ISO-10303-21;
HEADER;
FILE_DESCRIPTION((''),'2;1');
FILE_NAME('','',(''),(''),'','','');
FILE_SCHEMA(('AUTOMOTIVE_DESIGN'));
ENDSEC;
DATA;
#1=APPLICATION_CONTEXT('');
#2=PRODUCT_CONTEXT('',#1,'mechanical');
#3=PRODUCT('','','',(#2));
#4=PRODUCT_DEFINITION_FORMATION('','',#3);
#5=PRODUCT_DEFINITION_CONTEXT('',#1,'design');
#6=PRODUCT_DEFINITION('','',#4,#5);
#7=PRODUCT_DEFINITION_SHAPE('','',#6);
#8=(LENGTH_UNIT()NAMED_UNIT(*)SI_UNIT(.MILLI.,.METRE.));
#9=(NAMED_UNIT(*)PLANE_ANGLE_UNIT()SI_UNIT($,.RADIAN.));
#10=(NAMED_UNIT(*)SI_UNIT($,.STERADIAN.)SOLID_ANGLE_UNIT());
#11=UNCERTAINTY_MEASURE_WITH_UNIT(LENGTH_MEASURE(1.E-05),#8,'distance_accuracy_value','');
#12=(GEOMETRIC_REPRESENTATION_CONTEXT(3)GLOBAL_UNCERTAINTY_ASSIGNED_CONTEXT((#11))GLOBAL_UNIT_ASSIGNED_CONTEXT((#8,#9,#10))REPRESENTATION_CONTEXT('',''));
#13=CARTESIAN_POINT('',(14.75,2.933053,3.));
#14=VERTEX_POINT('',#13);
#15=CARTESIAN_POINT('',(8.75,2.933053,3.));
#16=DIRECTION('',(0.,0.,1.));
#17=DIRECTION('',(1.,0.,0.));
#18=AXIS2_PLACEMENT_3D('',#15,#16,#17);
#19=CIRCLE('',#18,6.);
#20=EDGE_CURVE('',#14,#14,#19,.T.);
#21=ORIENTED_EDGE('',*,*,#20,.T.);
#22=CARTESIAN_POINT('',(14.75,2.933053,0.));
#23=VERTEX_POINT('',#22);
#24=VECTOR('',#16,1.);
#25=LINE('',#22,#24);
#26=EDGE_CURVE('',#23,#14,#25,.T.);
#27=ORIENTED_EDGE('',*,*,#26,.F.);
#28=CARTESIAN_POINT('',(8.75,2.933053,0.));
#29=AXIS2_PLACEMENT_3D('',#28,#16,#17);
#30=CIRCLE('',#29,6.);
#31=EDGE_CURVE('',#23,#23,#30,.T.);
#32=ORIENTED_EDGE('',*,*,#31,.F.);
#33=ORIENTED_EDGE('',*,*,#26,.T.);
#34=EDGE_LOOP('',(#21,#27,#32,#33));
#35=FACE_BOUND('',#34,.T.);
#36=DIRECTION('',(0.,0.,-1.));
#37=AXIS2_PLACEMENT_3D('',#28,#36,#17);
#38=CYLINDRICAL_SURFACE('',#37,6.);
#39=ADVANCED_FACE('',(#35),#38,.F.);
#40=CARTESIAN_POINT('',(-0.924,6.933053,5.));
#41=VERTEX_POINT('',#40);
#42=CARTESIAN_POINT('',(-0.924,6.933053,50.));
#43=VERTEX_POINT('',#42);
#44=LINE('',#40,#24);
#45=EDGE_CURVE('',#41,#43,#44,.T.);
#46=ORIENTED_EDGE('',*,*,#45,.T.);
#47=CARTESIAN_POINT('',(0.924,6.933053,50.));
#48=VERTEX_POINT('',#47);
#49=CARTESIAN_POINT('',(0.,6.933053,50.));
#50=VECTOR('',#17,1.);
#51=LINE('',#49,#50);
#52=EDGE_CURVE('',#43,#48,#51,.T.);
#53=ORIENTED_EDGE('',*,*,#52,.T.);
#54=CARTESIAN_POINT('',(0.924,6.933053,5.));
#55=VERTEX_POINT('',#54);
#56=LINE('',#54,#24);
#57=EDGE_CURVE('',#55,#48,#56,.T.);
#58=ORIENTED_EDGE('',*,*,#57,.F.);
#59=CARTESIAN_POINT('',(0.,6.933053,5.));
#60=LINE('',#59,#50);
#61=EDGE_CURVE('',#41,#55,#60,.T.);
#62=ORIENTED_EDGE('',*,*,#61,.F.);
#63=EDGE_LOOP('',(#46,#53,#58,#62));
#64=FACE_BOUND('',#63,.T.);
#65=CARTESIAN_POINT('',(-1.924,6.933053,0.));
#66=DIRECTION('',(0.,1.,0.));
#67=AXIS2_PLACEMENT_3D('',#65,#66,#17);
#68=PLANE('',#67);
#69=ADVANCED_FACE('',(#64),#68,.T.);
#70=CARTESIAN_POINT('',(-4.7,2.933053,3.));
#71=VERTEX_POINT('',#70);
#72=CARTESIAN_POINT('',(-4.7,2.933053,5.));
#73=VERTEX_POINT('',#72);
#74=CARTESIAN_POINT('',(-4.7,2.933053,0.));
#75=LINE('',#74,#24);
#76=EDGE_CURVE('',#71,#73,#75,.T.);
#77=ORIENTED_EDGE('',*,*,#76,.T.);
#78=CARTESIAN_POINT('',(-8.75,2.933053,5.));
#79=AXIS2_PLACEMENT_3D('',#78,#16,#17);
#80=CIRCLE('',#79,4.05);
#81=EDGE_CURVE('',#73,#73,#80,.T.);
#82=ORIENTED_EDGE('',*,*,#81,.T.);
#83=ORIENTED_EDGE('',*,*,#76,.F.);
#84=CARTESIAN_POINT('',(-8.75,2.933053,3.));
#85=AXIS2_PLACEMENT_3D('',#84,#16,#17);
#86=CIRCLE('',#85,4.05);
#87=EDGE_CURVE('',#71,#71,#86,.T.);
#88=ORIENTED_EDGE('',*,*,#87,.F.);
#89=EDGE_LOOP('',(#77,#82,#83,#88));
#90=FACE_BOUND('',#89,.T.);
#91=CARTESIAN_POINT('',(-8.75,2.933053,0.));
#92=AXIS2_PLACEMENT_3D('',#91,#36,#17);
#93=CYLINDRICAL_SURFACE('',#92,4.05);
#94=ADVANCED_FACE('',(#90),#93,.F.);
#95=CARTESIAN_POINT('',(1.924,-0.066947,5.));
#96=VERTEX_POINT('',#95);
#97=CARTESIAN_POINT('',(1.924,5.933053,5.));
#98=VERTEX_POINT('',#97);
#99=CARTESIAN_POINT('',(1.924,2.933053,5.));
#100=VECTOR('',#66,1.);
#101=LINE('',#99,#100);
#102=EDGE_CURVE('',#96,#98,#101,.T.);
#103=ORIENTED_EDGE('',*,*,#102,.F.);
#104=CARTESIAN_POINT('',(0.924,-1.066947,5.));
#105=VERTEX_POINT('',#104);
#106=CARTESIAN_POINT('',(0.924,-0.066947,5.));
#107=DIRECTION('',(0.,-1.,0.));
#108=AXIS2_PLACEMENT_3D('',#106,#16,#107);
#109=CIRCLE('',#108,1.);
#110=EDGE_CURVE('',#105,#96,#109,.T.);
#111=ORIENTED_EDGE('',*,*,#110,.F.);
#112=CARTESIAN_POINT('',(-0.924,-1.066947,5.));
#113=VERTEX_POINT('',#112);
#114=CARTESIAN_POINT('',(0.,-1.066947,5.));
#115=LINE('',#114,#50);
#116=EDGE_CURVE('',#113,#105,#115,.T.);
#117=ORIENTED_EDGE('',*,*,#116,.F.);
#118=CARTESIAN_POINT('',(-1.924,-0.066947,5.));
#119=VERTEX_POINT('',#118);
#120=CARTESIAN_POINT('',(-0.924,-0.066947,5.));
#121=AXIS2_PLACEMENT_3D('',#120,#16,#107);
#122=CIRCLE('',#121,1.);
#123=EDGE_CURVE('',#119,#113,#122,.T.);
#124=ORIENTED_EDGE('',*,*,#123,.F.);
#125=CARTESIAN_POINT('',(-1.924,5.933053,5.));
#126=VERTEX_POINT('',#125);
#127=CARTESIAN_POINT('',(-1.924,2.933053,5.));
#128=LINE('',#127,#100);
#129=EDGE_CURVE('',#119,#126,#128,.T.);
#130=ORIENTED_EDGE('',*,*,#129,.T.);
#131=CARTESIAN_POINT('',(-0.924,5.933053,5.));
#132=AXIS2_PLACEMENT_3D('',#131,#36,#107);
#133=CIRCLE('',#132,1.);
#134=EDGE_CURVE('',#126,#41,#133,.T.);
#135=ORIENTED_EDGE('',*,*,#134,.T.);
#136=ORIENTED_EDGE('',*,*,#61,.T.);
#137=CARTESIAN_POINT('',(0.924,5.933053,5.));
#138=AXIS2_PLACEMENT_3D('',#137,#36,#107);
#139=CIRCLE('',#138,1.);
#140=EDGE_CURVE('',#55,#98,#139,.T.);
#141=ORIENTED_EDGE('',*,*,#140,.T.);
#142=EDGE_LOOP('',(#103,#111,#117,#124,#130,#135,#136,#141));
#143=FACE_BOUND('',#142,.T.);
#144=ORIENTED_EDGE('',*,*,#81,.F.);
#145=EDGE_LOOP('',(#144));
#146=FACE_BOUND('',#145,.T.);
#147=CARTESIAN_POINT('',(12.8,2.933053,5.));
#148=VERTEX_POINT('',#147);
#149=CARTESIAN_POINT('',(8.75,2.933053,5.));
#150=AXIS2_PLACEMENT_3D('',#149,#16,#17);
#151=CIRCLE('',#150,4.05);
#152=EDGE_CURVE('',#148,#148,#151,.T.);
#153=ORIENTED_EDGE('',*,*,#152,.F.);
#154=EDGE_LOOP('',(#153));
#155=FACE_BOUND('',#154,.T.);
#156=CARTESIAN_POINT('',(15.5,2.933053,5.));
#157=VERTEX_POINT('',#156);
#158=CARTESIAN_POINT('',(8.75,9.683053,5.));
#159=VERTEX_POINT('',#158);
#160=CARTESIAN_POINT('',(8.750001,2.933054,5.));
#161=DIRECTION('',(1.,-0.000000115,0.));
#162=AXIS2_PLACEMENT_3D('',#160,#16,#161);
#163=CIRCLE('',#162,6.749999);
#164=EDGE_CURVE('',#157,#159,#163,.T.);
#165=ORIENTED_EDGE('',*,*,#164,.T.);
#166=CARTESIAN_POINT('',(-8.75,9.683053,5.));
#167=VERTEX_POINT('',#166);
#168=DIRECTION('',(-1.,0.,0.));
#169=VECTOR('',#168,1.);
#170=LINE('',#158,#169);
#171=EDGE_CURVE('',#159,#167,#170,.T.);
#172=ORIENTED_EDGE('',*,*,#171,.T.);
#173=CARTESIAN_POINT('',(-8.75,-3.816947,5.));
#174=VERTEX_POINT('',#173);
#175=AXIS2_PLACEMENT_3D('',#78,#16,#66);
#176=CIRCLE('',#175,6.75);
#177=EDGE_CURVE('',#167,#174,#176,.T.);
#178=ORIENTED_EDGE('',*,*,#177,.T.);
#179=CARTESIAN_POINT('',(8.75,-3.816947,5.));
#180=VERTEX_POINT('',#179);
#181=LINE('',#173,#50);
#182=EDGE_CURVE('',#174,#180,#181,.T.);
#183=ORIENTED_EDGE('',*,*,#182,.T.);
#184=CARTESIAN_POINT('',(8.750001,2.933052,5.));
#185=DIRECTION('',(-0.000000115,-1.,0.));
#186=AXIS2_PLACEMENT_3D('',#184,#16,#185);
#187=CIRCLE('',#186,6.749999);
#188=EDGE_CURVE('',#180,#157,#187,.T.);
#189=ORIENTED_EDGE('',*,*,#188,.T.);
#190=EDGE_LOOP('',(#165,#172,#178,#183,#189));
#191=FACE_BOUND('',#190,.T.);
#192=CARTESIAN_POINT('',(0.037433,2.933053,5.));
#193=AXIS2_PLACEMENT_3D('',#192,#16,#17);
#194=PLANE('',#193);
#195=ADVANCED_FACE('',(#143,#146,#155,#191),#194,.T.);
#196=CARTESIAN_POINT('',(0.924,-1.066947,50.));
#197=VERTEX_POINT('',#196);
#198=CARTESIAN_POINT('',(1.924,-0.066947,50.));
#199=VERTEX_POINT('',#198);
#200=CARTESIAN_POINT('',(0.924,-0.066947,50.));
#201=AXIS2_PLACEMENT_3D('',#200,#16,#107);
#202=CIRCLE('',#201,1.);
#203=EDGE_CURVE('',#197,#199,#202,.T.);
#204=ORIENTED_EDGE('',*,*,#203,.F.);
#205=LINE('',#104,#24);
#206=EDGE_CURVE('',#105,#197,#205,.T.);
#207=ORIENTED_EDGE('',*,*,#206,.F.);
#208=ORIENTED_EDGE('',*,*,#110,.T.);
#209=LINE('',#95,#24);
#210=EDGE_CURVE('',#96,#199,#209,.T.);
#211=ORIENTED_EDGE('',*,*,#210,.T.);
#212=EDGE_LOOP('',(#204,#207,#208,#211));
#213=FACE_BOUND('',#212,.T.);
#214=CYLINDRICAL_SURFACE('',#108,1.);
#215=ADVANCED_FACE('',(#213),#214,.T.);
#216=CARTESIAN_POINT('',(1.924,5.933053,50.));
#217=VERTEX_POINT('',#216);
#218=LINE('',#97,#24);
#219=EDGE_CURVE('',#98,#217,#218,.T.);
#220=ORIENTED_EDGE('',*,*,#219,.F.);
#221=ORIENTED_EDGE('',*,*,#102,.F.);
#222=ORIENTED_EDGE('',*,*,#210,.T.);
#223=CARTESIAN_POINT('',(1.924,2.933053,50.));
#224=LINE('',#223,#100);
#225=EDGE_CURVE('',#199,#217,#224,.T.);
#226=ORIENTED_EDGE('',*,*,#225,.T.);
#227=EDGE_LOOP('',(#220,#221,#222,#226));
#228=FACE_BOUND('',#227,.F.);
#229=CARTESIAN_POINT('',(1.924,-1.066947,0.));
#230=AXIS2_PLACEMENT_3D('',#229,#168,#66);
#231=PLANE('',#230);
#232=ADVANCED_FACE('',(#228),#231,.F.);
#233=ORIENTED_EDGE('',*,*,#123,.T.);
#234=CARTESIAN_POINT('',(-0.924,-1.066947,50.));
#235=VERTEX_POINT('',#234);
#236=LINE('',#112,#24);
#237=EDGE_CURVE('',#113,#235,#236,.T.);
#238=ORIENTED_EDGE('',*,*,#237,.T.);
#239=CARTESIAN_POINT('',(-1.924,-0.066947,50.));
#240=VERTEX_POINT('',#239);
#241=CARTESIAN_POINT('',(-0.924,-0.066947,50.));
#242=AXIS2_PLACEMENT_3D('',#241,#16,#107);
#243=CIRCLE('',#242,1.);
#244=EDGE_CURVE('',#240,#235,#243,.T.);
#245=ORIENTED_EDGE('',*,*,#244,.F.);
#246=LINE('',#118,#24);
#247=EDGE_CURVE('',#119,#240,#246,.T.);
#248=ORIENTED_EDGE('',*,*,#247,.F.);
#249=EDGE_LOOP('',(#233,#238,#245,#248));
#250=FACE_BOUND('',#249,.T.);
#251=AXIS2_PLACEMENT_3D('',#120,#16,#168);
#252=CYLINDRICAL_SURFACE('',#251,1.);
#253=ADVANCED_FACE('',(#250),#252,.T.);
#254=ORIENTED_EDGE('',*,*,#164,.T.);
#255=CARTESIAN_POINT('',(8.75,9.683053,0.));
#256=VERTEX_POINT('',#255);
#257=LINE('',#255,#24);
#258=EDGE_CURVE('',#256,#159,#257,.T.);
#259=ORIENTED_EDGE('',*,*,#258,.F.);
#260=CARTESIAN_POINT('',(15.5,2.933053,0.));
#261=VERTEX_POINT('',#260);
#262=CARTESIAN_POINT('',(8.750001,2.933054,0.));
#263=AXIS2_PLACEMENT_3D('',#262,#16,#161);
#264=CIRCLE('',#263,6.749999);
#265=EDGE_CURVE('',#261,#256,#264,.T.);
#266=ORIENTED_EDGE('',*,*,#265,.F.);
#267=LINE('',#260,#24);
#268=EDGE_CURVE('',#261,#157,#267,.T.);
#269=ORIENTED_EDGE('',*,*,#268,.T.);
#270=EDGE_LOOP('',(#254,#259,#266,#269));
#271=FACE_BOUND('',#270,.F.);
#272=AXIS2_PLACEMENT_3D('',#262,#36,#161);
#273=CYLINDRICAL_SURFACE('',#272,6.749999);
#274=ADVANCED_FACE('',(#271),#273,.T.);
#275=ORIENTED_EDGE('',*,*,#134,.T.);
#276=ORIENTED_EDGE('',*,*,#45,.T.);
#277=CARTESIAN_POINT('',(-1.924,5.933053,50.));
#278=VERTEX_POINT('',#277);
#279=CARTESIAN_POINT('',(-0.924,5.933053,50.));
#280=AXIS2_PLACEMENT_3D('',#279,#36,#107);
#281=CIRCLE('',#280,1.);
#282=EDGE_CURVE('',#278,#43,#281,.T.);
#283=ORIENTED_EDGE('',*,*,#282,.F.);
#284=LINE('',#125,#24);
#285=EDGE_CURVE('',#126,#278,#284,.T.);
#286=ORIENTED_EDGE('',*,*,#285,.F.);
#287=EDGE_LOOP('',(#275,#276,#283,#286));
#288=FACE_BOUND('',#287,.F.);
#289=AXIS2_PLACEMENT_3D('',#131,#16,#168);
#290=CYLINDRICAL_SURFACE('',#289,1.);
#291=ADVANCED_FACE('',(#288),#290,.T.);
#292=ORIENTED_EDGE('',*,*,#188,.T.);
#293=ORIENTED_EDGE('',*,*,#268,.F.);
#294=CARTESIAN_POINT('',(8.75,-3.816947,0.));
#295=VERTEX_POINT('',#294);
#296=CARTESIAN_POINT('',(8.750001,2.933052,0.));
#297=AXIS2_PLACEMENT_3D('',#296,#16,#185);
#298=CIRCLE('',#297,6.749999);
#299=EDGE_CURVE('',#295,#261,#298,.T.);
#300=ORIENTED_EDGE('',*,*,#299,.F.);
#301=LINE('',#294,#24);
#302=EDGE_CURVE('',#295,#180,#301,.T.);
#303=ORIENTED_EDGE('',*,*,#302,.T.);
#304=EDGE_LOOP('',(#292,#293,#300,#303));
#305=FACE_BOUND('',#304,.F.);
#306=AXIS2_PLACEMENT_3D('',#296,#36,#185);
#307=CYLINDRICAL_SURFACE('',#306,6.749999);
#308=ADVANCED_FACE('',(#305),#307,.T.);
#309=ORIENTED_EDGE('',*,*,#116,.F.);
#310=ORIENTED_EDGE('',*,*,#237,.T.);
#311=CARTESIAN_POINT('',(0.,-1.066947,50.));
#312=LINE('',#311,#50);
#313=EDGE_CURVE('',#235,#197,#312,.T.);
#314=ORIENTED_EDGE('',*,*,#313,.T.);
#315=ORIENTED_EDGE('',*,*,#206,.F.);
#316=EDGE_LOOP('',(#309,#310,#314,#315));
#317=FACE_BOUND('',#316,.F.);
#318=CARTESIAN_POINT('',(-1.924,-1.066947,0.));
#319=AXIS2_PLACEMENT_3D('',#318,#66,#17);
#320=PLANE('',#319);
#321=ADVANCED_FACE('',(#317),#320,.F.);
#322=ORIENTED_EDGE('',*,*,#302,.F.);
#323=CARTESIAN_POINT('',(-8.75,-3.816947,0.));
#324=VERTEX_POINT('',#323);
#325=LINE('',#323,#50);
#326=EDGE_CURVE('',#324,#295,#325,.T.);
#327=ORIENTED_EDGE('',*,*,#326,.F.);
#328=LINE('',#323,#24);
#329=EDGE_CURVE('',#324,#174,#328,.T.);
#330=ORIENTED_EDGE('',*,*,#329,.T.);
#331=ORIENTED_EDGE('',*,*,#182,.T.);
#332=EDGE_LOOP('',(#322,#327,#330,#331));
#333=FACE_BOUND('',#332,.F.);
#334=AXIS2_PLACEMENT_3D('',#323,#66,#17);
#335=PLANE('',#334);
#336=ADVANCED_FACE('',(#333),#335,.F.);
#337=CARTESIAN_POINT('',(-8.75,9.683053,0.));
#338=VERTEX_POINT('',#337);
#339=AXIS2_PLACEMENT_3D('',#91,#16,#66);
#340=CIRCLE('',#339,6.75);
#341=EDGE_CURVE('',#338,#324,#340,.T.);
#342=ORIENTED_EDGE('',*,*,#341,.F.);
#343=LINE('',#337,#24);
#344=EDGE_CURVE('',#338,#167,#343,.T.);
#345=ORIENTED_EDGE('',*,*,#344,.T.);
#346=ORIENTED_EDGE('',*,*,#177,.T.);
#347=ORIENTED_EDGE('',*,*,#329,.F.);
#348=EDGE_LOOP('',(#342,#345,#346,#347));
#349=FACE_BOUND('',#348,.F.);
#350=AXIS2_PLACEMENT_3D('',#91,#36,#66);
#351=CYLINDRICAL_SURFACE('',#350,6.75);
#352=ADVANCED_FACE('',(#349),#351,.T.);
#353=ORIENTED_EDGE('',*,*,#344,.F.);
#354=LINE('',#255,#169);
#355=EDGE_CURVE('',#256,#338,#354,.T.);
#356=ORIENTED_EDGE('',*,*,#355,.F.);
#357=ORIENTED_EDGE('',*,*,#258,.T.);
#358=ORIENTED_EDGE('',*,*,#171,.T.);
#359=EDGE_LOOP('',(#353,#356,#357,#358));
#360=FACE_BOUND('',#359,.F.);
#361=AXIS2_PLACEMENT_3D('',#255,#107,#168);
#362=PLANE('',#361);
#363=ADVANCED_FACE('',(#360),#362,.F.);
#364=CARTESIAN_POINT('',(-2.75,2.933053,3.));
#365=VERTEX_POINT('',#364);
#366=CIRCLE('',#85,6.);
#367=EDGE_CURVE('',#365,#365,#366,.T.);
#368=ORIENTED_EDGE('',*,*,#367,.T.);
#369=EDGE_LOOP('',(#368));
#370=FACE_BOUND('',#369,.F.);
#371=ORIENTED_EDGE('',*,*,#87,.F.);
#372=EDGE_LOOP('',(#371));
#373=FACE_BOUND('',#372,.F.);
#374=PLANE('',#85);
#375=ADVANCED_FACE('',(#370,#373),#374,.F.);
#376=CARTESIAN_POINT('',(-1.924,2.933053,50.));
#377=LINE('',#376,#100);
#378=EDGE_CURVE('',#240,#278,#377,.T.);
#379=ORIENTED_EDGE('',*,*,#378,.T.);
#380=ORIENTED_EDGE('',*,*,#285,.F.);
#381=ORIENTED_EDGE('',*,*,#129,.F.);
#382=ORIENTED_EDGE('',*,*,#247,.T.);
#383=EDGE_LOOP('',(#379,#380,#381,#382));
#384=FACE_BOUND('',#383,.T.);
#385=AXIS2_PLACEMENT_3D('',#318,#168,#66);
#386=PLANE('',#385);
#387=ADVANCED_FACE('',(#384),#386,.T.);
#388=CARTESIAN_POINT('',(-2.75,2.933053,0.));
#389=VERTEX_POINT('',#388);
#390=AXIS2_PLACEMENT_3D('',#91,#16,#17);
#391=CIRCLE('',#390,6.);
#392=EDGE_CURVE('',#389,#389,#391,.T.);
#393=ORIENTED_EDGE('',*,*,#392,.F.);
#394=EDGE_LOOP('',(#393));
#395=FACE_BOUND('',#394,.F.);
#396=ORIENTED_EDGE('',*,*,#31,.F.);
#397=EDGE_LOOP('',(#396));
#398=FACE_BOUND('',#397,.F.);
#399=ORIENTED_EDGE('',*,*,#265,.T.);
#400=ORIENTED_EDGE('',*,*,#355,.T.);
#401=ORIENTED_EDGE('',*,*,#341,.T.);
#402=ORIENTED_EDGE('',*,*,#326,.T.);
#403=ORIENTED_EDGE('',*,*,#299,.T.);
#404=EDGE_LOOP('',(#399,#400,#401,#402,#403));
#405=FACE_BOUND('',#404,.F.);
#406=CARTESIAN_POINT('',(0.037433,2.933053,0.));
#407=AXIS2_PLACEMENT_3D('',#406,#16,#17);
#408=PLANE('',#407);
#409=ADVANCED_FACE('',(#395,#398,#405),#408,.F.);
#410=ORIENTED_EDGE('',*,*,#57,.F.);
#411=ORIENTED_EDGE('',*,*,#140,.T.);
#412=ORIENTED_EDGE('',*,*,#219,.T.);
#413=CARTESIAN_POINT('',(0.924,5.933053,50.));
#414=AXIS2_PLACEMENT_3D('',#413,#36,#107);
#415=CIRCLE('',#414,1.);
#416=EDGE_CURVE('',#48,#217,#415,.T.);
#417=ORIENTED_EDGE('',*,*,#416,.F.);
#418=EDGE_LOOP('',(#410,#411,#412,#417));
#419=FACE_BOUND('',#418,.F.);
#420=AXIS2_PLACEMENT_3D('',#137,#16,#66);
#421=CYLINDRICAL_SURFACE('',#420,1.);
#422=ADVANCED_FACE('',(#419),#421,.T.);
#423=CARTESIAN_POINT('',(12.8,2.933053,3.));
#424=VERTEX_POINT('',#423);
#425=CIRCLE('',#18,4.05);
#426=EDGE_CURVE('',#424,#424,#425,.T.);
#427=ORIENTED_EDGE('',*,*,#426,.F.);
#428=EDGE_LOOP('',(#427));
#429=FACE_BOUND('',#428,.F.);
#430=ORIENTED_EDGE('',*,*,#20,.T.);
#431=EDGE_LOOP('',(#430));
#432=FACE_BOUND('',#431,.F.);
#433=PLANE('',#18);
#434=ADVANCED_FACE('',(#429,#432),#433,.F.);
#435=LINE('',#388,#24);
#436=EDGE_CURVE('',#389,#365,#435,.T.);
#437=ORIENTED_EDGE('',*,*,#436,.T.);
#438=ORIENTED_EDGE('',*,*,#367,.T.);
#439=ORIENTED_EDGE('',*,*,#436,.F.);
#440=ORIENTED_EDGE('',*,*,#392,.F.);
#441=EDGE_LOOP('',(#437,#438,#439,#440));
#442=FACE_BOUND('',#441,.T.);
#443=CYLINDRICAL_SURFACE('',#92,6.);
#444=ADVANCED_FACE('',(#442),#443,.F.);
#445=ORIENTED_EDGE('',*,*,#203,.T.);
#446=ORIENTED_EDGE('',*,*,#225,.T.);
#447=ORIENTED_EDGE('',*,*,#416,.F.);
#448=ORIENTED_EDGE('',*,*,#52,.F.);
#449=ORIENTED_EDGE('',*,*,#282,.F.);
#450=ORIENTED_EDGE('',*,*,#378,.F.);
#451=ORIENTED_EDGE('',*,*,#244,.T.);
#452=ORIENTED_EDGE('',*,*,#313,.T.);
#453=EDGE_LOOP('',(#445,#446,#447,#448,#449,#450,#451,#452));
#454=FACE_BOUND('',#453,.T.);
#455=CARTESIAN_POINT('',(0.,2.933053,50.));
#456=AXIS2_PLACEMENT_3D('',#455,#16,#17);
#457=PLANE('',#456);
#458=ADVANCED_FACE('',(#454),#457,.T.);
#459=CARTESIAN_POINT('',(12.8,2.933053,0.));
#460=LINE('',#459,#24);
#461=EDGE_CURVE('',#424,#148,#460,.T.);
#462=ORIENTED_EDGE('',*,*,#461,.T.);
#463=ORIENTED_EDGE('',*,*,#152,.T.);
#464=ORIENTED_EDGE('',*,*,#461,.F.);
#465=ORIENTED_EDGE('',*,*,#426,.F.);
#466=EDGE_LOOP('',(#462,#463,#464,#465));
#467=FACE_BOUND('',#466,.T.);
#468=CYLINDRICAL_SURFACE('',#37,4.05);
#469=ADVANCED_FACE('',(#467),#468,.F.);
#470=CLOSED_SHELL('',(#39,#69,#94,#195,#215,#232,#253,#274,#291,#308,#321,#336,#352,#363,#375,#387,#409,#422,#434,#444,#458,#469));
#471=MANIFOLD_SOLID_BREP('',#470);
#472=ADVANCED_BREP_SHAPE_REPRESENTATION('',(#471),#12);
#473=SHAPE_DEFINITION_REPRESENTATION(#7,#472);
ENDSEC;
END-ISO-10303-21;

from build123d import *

# Parameters (mm, degrees)
F0_W     = 3.848
F0_H     = 8
F0_R     = 6
F0_R_2   = 4.05
F1_DEPTH = 5
F2_DEPTH = 3
F3_DEPTH = 50
F4_R     = 1


with BuildPart() as f1:
    # F0 (on Top) → F1 (new body)
    with BuildSketch(Plane.XY):
        with BuildLine():
            ThreePointArc((-8.75, 9.683053), (-3.977029, 7.706024), (-2, 2.933053))
            ThreePointArc((-2, 2.933053), (-3.977029, -1.839918), (-8.75, -3.816947))
            Line((-8.75, -3.816947), (8.75, -3.816947))
            ThreePointArc((8.75, -3.816947), (2, 2.933053), (8.75, 9.683053))
            Line((8.75, 9.683053), (-8.75, 9.683053))
        make_face()
        with Locations((0, 2.933053)):
            Rectangle(F0_W, F0_H, mode=Mode.SUBTRACT)
        with BuildLine():
            ThreePointArc((-8.75, -3.816947), (-3.977029, -1.839918), (-2, 2.933053))
            ThreePointArc((-2, 2.933053), (-3.977029, 7.706024), (-8.75, 9.683053))
            ThreePointArc((-8.75, 9.683053), (-15.5, 2.933053), (-8.75, -3.816947))
        make_face()
        with Locations((-8.75, 2.933053)):
            Circle(F0_R, mode=Mode.SUBTRACT)
        with BuildLine():
            ThreePointArc((15.5, 2.933053), (13.522971, 7.706024), (8.75, 9.683053))
            ThreePointArc((8.75, 9.683053), (2, 2.933053), (8.75, -3.816947))
            ThreePointArc((8.75, -3.816947), (13.522971, -1.839918), (15.5, 2.933053))
        make_face()
        with Locations((8.75, 2.933053)):
            Circle(F0_R, mode=Mode.SUBTRACT)
        with Locations((-8.75, 2.933053)):
            Circle(F0_R)
        with Locations((-8.75, 2.933053)):
            Circle(F0_R_2, mode=Mode.SUBTRACT)
        with Locations((8.75, 2.933053)):
            Circle(F0_R)
        with Locations((8.75, 2.933053)):
            Circle(F0_R_2, mode=Mode.SUBTRACT)
    extrude(amount=F1_DEPTH)

    # F0 (on Top) → F2 (cut)
    with BuildSketch(Plane.XY):
        with Locations((-8.75, 2.933053)):
            Circle(F0_R)
        with Locations((-8.75, 2.933053)):
            Circle(F0_R_2, mode=Mode.SUBTRACT)
        with Locations((8.75, 2.933053)):
            Circle(F0_R)
        with Locations((8.75, 2.933053)):
            Circle(F0_R_2, mode=Mode.SUBTRACT)
    extrude(amount=F2_DEPTH, mode=Mode.SUBTRACT)

    # F0 (on Top) → F3 (join)
    with BuildSketch(Plane.XY):
        with Locations((0, 2.933053)):
            Rectangle(F0_W, F0_H)
    extrude(amount=F3_DEPTH)

    # F4
    f4_edges = [f1.edges().sort_by_distance(p)[0] for p in [
        (-1.924, -1.066947, 27.5),
        (1.924, -1.066947, 27.5),
        (1.924, 6.933053, 27.5),
        (-1.924, 6.933053, 27.5),
    ]]
    fillet(f4_edges, radius=F4_R)


solid = f1.part
